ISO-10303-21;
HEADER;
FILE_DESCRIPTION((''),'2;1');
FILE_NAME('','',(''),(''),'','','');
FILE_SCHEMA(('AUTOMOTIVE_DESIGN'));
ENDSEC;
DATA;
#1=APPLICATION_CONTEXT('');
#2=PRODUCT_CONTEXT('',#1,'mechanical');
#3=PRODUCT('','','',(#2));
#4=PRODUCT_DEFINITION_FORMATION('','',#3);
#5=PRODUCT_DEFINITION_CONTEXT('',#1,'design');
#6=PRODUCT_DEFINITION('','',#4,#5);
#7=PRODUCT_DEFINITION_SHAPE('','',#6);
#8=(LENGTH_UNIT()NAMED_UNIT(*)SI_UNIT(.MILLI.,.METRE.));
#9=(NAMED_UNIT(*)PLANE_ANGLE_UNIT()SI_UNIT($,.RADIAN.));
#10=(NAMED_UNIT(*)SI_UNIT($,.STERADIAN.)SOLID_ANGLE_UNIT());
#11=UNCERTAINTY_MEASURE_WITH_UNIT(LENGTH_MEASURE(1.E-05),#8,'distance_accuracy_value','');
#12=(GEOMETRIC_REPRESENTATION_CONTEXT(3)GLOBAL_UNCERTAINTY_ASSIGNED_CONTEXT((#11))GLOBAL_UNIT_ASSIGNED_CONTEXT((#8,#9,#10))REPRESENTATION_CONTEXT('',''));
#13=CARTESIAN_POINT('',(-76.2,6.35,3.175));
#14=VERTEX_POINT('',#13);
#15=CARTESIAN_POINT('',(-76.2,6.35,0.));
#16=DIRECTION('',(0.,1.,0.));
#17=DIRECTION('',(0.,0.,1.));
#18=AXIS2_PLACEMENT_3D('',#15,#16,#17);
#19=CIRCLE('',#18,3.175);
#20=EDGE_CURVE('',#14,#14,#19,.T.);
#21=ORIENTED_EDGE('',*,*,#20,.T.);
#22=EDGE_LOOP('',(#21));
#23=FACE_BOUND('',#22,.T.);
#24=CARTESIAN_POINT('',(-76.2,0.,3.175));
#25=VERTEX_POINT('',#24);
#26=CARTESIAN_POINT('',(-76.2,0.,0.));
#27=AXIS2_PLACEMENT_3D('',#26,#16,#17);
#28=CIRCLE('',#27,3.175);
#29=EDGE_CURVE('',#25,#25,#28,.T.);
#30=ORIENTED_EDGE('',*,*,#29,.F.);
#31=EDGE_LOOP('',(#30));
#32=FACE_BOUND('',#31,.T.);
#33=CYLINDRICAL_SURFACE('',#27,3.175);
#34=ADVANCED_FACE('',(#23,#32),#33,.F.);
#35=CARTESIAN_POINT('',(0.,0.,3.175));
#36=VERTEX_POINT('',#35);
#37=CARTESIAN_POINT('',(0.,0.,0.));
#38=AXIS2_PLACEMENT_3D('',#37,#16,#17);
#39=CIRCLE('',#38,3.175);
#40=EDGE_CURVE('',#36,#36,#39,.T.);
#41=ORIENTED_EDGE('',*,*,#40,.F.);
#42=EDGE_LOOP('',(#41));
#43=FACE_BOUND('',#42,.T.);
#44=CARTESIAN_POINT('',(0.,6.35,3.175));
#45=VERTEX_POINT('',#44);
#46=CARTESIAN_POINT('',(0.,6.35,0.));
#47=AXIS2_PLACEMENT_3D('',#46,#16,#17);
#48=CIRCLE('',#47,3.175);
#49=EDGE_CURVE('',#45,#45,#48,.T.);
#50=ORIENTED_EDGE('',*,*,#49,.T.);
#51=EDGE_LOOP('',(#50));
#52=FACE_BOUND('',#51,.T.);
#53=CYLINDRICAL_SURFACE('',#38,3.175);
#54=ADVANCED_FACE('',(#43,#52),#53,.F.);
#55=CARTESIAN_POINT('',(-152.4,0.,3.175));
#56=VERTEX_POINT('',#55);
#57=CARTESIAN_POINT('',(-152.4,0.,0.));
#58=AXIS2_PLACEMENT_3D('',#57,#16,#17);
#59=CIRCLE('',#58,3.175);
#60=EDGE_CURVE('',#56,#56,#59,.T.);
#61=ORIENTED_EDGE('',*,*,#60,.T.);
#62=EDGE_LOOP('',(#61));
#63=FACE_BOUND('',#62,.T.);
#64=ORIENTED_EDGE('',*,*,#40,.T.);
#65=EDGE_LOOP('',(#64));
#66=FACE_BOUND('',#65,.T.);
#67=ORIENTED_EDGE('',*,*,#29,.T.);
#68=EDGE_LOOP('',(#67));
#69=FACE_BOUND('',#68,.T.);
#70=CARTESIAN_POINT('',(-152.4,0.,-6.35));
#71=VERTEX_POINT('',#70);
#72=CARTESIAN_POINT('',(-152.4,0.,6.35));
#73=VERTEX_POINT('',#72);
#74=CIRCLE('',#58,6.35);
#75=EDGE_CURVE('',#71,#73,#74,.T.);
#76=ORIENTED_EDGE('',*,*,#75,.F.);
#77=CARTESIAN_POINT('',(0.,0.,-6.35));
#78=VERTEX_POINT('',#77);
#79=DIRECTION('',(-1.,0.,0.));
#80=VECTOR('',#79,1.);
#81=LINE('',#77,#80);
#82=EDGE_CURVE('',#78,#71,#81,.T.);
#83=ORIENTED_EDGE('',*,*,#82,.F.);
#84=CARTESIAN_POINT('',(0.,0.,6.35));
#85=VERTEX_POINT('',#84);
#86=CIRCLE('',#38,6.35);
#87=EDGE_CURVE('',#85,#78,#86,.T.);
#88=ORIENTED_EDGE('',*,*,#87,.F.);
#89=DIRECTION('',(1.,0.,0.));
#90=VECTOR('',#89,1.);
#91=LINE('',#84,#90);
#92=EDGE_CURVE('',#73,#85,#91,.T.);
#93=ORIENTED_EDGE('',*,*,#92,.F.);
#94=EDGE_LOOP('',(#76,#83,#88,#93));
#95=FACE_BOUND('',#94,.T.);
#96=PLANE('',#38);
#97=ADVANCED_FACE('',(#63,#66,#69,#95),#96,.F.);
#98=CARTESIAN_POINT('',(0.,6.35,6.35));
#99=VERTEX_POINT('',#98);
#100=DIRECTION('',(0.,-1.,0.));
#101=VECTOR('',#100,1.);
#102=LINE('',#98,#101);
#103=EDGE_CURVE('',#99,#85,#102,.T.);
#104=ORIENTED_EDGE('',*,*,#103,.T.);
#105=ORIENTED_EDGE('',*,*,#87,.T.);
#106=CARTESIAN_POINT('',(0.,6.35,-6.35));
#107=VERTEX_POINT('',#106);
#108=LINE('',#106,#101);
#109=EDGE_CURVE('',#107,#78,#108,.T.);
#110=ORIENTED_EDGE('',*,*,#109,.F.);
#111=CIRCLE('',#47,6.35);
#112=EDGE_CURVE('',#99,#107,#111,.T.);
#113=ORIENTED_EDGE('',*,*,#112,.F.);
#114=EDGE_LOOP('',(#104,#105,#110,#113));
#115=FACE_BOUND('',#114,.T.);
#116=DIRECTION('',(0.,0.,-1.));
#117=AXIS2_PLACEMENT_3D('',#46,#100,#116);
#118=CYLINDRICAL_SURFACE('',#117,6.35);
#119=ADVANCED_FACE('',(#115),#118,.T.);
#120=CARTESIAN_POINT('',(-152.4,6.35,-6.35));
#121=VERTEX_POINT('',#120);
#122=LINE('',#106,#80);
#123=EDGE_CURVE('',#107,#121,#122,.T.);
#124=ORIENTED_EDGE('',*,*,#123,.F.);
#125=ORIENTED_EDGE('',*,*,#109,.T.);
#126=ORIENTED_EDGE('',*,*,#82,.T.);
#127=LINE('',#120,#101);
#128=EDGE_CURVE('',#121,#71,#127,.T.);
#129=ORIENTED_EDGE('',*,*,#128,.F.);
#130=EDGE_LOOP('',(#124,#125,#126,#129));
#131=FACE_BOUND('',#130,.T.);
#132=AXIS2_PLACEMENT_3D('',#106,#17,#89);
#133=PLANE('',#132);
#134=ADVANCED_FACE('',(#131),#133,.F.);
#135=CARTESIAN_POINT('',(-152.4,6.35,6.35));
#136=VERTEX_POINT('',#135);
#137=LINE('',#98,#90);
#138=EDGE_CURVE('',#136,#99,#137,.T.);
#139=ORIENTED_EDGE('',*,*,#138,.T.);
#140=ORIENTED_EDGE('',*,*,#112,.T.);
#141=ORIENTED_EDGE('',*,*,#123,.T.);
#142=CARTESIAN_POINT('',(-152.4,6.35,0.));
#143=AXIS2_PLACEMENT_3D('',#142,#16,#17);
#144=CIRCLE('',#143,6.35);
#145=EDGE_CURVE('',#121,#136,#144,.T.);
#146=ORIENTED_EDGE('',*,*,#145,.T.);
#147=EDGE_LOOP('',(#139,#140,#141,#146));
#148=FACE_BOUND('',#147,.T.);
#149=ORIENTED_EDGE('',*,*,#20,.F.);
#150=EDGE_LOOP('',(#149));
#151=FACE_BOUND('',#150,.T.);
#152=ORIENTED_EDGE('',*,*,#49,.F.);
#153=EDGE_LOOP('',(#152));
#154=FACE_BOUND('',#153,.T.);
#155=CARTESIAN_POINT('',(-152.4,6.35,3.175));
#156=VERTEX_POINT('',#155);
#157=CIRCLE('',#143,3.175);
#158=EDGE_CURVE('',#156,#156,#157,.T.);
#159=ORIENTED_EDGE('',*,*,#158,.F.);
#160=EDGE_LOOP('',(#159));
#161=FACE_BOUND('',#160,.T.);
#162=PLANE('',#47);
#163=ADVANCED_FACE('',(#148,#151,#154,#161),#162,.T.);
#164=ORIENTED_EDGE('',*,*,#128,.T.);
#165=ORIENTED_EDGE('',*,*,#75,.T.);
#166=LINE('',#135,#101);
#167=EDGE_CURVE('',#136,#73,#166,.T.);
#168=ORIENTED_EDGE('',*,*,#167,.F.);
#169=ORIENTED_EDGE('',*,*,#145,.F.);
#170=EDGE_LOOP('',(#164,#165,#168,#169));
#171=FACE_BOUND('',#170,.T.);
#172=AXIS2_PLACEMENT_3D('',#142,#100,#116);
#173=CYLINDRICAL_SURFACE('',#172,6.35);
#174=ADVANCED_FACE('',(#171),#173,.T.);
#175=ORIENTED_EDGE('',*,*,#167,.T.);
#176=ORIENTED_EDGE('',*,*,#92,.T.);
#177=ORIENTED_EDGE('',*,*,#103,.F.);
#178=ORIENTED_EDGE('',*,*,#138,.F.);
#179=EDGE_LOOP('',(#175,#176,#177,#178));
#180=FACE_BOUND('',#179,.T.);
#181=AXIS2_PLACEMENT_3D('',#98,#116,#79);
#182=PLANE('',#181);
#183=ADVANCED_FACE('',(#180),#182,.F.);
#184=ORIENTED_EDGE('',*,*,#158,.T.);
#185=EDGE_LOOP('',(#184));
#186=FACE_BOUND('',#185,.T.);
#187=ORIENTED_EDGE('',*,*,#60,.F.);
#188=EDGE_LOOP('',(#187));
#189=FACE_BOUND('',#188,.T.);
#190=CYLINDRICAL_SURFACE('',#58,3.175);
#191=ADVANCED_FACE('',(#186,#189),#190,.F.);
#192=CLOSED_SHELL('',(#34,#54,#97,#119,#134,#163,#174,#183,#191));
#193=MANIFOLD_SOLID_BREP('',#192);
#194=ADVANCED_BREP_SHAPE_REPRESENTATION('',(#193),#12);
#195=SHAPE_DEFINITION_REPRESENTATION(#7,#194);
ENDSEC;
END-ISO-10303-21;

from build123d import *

# Parameters (mm, degrees)
BOSS_EXTRUDE1_DEPTH = 6.35
SKETCH2_R           = 3.175
CUT_EXTRUDE1_DEPTH  = 160.003797124


with BuildPart() as part:
    # Sketch1 → Boss-Extrude1 (new body)
    with BuildSketch(Plane(origin=(0, 0, 0), x_dir=(1, 0, 0), z_dir=(0, 1, 0))):
        with BuildLine():
            Line((0, -6.35), (-152.4, -6.35))
            ThreePointArc((-152.4, -6.35), (-158.75, 0), (-152.4, 6.35))
            Line((-152.4, 6.35), (0, 6.35))
            ThreePointArc((0, 6.35), (6.35, 0), (0, -6.35))
        make_face()
    extrude(amount=BOSS_EXTRUDE1_DEPTH)

    # Sketch2 → Cut-Extrude1 (cut, through all)
    with BuildSketch(Plane(origin=(0, 6.35, 0), x_dir=(1, 0, 0), z_dir=(0, 1, 0))):
        with Locations(Location((-152.4, 0, 0), (0, 0, 270))):
            Circle(SKETCH2_R)
        with Locations(Location((0, 0, 0), (0, 0, 270))):
            Circle(SKETCH2_R)
        with Locations(Location((-76.2, 0, 0), (0, 0, 270))):
            Circle(SKETCH2_R)
    extrude(amount=-CUT_EXTRUDE1_DEPTH, mode=Mode.SUBTRACT)


solid = part.part
